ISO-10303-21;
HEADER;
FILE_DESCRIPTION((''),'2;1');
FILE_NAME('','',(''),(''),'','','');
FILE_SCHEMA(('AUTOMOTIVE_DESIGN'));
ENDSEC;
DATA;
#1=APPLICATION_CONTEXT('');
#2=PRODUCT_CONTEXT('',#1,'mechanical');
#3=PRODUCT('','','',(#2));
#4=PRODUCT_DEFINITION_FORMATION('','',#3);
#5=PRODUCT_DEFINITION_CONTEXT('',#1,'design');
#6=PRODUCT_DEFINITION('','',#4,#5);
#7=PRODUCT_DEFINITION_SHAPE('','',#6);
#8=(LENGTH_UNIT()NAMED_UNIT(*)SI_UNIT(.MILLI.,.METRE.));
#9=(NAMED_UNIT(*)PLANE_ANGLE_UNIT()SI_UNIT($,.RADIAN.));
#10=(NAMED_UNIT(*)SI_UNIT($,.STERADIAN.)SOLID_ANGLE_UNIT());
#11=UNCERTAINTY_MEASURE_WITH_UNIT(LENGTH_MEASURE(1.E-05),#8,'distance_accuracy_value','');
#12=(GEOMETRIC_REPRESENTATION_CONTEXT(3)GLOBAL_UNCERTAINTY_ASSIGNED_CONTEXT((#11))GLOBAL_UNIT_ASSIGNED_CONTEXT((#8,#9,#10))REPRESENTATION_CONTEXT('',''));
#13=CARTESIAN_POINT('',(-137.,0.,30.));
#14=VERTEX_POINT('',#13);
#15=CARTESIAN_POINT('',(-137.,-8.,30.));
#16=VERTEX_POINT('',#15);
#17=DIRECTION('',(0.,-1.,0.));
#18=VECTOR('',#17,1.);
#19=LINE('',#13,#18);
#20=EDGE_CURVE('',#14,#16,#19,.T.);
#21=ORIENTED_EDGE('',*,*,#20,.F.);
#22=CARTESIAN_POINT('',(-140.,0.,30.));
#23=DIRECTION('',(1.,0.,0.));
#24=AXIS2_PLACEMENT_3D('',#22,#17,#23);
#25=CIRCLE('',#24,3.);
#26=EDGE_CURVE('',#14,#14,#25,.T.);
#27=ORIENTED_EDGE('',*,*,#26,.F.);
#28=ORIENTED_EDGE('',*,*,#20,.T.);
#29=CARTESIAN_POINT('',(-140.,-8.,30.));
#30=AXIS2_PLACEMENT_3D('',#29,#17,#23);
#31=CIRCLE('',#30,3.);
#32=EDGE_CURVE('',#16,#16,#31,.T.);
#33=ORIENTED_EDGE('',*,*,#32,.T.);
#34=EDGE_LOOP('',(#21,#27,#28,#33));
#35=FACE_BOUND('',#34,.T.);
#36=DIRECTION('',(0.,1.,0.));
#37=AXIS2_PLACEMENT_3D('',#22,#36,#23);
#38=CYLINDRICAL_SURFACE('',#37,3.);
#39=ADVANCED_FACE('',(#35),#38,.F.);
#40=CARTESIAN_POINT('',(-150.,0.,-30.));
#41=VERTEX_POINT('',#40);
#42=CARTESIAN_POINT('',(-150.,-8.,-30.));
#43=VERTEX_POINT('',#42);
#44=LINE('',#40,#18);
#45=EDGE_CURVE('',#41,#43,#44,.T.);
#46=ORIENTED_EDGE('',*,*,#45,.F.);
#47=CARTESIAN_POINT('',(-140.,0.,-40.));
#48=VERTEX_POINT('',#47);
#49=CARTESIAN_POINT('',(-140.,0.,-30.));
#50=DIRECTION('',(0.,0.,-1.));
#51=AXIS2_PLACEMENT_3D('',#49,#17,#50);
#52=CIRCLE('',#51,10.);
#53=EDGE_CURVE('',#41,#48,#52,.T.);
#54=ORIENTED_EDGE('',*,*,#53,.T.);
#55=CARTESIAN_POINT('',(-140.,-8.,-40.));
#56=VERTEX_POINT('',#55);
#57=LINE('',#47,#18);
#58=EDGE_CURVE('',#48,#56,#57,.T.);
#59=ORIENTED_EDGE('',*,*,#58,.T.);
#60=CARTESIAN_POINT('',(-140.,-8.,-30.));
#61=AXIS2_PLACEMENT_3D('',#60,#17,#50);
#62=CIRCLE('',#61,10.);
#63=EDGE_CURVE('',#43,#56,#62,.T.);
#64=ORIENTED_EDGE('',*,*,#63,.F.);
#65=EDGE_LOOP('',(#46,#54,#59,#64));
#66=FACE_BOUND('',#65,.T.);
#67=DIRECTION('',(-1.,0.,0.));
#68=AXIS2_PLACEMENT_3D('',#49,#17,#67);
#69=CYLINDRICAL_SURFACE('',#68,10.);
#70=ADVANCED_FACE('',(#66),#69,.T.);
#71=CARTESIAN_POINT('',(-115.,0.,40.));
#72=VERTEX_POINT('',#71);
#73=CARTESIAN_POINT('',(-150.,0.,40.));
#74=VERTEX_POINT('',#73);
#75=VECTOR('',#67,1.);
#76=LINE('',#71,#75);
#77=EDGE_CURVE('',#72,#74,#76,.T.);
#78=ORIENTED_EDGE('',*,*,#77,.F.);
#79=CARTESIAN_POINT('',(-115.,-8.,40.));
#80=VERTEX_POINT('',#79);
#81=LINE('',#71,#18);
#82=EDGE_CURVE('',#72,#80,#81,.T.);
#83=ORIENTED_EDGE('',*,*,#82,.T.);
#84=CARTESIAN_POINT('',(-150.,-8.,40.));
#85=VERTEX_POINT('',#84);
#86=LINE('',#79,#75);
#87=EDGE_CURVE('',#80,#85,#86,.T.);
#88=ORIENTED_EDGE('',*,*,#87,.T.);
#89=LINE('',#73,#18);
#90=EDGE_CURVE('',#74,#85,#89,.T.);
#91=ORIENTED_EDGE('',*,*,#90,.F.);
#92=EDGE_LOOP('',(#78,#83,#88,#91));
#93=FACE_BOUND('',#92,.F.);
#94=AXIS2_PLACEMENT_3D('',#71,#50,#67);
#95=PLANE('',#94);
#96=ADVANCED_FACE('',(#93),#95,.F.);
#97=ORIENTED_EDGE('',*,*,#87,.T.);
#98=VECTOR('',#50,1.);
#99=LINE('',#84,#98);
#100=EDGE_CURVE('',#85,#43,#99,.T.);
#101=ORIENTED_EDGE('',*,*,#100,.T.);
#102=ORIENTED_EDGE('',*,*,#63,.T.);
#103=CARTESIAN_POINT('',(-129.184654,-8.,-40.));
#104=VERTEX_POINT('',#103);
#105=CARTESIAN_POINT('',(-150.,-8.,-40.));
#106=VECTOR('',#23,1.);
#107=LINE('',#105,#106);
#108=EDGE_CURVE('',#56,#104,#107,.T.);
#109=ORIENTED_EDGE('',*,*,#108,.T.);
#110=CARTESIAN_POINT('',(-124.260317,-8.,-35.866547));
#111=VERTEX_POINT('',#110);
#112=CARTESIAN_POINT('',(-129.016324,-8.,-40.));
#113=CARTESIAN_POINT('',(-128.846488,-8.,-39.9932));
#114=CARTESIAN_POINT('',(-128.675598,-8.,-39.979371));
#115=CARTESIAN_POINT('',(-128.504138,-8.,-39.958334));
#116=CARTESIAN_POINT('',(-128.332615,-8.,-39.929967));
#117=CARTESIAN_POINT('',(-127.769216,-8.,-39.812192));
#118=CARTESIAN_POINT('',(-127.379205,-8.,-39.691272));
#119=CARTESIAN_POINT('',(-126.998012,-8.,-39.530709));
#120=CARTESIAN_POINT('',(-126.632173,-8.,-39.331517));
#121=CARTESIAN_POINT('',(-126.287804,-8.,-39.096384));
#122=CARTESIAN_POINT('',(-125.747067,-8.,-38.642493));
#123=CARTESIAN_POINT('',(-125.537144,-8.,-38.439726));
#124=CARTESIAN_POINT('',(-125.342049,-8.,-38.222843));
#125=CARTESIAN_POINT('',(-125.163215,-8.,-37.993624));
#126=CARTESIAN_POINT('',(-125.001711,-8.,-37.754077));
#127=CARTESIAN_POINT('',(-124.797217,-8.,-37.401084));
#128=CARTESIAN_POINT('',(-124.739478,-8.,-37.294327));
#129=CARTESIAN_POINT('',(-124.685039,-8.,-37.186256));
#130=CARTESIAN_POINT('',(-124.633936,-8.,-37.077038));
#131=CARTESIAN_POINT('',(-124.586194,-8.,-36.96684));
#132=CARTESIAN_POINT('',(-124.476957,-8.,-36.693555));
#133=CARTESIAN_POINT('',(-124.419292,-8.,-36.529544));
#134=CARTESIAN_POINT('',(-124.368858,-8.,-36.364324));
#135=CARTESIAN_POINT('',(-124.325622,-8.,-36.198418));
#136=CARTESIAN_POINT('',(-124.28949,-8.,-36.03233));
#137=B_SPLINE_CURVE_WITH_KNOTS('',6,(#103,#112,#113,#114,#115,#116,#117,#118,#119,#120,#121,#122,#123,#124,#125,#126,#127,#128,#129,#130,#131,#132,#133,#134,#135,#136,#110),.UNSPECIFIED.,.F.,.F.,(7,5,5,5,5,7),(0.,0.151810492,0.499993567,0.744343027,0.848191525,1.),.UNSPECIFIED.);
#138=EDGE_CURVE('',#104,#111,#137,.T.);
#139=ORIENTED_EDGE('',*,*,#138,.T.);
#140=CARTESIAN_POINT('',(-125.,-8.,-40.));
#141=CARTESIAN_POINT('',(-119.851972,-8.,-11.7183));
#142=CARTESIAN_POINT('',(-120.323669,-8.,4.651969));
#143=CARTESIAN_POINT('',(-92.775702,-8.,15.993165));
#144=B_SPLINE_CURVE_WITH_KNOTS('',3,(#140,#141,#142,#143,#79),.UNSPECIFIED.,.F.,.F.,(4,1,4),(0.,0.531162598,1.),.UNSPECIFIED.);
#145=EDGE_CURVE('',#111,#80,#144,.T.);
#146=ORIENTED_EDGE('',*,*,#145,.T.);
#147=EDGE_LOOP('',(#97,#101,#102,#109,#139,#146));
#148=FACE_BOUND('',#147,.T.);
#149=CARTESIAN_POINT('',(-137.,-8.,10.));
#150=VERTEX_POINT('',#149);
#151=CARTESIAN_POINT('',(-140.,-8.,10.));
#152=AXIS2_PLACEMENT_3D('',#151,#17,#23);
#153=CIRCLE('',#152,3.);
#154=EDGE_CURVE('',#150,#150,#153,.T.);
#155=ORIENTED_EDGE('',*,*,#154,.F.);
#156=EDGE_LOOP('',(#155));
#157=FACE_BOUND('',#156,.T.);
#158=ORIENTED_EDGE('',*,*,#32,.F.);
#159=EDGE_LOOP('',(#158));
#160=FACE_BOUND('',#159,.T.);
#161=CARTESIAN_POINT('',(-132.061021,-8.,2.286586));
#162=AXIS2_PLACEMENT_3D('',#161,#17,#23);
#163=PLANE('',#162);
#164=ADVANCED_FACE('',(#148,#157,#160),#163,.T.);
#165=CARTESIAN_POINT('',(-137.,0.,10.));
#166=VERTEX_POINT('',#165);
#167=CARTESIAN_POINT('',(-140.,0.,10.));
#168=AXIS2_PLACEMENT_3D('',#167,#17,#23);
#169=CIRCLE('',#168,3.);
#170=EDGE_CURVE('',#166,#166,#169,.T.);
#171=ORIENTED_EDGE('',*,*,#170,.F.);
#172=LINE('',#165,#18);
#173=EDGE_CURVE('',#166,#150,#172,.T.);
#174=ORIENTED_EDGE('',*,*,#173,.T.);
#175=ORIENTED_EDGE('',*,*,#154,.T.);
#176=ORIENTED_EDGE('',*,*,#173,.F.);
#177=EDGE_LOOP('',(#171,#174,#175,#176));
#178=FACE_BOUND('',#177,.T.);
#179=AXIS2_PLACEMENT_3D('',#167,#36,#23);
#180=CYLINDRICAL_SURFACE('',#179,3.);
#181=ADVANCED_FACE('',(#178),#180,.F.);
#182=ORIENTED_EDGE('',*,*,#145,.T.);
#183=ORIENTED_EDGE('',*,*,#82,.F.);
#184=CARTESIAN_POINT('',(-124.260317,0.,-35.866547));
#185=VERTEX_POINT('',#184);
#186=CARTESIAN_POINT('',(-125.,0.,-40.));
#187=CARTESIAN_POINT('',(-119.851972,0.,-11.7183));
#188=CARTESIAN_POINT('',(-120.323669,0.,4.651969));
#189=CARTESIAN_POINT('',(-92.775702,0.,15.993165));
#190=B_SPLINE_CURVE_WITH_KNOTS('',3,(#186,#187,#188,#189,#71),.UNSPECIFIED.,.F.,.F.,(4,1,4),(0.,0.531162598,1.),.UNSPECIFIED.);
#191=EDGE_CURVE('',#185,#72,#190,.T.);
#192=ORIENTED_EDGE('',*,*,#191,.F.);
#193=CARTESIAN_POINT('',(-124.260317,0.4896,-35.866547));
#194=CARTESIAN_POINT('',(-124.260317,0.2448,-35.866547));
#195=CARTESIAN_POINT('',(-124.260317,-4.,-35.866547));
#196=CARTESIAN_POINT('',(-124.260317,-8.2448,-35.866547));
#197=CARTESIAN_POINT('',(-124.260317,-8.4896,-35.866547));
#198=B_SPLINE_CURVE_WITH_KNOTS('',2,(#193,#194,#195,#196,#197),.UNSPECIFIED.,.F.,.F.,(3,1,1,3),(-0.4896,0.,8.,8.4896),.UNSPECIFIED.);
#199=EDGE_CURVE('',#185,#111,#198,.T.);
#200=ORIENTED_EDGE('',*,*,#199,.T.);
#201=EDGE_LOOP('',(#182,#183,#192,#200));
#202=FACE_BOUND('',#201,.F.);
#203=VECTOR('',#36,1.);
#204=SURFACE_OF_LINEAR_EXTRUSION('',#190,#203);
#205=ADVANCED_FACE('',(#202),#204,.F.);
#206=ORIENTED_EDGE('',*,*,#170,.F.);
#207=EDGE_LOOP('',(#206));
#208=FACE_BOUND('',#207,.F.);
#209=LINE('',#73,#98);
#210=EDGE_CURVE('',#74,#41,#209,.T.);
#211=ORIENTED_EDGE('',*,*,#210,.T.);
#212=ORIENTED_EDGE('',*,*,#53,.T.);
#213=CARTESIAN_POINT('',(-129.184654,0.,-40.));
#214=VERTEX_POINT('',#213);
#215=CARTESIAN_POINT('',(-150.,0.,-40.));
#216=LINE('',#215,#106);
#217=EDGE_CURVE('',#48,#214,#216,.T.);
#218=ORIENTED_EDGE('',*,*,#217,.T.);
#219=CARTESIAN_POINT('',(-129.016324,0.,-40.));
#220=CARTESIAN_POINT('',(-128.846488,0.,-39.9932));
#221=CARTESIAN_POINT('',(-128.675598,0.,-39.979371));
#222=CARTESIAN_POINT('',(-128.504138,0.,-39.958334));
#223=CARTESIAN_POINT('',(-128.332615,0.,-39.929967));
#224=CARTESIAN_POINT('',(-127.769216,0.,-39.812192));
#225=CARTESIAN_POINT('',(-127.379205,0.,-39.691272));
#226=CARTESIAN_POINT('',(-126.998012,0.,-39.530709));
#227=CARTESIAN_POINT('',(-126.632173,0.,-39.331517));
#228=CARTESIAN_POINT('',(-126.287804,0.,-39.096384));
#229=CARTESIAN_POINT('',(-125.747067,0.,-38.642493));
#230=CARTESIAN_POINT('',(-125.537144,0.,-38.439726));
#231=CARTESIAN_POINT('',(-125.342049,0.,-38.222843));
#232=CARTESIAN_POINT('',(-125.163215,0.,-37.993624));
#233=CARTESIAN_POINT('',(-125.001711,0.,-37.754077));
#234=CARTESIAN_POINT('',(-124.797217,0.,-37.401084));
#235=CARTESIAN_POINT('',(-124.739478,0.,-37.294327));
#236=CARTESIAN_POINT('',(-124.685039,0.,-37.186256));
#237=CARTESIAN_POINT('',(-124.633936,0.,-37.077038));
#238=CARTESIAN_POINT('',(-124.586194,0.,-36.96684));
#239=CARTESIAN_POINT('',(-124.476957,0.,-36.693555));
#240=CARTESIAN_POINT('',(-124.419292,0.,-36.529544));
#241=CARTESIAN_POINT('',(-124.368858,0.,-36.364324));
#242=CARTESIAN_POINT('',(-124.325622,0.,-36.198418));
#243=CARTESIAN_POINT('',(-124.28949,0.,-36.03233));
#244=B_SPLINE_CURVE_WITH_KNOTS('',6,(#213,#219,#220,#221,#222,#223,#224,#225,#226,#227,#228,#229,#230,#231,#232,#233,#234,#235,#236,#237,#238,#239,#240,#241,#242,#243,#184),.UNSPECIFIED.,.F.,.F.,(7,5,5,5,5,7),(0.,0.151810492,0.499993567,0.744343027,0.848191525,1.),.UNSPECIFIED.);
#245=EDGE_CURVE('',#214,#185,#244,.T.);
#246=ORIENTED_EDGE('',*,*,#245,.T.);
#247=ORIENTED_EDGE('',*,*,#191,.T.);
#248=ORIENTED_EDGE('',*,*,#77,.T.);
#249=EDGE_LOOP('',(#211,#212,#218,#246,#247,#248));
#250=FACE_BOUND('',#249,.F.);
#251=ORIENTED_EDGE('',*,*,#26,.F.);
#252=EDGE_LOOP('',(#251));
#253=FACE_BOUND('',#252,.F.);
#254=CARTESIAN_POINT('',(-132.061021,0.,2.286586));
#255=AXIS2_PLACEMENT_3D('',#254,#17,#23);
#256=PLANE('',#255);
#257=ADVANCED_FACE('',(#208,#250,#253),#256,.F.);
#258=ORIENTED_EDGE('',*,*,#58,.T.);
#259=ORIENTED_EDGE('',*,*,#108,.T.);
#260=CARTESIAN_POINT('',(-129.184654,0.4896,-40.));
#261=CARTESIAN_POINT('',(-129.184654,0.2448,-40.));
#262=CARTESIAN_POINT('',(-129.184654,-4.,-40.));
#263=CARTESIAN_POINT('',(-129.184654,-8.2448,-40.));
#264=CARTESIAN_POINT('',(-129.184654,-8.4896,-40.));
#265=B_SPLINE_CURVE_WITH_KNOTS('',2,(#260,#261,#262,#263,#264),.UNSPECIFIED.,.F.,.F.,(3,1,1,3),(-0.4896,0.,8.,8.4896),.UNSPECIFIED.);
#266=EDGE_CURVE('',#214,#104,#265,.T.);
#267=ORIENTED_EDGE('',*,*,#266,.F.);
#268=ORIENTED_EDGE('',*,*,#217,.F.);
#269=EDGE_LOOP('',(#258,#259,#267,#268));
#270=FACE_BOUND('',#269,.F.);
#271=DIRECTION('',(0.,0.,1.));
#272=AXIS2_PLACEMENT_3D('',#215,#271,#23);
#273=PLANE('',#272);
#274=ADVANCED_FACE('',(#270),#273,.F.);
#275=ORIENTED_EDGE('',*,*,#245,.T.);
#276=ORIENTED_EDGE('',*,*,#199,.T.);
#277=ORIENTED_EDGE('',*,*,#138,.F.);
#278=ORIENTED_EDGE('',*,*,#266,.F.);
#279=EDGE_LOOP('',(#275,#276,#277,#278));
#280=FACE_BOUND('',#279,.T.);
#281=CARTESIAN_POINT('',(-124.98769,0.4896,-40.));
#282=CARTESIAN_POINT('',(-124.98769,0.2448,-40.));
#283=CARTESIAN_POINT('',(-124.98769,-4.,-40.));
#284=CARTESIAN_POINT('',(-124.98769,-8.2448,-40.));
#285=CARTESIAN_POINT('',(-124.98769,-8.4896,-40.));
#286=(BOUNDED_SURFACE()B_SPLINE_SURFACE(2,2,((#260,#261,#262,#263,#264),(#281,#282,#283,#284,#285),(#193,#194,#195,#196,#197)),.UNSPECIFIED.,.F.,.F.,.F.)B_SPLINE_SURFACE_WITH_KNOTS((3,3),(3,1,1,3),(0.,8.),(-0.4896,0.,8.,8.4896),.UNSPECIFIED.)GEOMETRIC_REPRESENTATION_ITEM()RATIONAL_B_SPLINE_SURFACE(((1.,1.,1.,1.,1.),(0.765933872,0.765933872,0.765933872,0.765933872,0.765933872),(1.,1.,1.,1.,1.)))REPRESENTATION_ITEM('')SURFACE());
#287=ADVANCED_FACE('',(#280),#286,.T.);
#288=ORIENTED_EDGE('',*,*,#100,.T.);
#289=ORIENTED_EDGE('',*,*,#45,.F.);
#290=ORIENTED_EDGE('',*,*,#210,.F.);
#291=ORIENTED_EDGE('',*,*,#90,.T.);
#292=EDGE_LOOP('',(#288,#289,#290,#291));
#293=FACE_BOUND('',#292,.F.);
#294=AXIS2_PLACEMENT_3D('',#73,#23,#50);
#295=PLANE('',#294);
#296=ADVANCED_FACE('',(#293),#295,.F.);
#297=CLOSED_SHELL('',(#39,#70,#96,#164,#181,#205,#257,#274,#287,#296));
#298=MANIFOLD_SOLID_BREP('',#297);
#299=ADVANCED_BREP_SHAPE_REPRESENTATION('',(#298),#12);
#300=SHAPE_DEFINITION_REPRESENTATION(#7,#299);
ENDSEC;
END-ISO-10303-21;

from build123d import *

# Parameters (mm, degrees)
F0_R     = 3
F2_DEPTH = 8
F3_R     = 10
F4_R     = 5


with BuildPart() as f2:
    # F0 (on Front) → F2 (new body)
    with BuildSketch(Plane.XZ):
        with BuildLine():
            Line((-115, 40), (-150, 40))
            Line((-150, 40), (-150, -40))
            Line((-150, -40), (-125, -40))
            add(Edge.make_bspline(
                [(-125, -40), (-119.8519719708, -11.7183000191), (-120.3236686159, 4.6519688966), (-92.7757024765, 15.9931648523), (-115, 40)],
                knots=[0, 0, 0, 0, 0.5311625984, 1, 1, 1, 1], degree=3))
        make_face()
        with Locations((-140, 10)):
            Circle(F0_R, mode=Mode.SUBTRACT)
        with Locations((-140, 30)):
            Circle(F0_R, mode=Mode.SUBTRACT)
    extrude(amount=F2_DEPTH)

    # F3
    f3_edges = [f2.edges().sort_by_distance(p)[0] for p in [
        (-150, -4, -40),
    ]]
    fillet(f3_edges, radius=F3_R)

    # F4
    f4_edges = [f2.edges().sort_by_distance(p)[0] for p in [
        (-125, -4, -40),
    ]]
    fillet(f4_edges, radius=F4_R)


solid = f2.part
